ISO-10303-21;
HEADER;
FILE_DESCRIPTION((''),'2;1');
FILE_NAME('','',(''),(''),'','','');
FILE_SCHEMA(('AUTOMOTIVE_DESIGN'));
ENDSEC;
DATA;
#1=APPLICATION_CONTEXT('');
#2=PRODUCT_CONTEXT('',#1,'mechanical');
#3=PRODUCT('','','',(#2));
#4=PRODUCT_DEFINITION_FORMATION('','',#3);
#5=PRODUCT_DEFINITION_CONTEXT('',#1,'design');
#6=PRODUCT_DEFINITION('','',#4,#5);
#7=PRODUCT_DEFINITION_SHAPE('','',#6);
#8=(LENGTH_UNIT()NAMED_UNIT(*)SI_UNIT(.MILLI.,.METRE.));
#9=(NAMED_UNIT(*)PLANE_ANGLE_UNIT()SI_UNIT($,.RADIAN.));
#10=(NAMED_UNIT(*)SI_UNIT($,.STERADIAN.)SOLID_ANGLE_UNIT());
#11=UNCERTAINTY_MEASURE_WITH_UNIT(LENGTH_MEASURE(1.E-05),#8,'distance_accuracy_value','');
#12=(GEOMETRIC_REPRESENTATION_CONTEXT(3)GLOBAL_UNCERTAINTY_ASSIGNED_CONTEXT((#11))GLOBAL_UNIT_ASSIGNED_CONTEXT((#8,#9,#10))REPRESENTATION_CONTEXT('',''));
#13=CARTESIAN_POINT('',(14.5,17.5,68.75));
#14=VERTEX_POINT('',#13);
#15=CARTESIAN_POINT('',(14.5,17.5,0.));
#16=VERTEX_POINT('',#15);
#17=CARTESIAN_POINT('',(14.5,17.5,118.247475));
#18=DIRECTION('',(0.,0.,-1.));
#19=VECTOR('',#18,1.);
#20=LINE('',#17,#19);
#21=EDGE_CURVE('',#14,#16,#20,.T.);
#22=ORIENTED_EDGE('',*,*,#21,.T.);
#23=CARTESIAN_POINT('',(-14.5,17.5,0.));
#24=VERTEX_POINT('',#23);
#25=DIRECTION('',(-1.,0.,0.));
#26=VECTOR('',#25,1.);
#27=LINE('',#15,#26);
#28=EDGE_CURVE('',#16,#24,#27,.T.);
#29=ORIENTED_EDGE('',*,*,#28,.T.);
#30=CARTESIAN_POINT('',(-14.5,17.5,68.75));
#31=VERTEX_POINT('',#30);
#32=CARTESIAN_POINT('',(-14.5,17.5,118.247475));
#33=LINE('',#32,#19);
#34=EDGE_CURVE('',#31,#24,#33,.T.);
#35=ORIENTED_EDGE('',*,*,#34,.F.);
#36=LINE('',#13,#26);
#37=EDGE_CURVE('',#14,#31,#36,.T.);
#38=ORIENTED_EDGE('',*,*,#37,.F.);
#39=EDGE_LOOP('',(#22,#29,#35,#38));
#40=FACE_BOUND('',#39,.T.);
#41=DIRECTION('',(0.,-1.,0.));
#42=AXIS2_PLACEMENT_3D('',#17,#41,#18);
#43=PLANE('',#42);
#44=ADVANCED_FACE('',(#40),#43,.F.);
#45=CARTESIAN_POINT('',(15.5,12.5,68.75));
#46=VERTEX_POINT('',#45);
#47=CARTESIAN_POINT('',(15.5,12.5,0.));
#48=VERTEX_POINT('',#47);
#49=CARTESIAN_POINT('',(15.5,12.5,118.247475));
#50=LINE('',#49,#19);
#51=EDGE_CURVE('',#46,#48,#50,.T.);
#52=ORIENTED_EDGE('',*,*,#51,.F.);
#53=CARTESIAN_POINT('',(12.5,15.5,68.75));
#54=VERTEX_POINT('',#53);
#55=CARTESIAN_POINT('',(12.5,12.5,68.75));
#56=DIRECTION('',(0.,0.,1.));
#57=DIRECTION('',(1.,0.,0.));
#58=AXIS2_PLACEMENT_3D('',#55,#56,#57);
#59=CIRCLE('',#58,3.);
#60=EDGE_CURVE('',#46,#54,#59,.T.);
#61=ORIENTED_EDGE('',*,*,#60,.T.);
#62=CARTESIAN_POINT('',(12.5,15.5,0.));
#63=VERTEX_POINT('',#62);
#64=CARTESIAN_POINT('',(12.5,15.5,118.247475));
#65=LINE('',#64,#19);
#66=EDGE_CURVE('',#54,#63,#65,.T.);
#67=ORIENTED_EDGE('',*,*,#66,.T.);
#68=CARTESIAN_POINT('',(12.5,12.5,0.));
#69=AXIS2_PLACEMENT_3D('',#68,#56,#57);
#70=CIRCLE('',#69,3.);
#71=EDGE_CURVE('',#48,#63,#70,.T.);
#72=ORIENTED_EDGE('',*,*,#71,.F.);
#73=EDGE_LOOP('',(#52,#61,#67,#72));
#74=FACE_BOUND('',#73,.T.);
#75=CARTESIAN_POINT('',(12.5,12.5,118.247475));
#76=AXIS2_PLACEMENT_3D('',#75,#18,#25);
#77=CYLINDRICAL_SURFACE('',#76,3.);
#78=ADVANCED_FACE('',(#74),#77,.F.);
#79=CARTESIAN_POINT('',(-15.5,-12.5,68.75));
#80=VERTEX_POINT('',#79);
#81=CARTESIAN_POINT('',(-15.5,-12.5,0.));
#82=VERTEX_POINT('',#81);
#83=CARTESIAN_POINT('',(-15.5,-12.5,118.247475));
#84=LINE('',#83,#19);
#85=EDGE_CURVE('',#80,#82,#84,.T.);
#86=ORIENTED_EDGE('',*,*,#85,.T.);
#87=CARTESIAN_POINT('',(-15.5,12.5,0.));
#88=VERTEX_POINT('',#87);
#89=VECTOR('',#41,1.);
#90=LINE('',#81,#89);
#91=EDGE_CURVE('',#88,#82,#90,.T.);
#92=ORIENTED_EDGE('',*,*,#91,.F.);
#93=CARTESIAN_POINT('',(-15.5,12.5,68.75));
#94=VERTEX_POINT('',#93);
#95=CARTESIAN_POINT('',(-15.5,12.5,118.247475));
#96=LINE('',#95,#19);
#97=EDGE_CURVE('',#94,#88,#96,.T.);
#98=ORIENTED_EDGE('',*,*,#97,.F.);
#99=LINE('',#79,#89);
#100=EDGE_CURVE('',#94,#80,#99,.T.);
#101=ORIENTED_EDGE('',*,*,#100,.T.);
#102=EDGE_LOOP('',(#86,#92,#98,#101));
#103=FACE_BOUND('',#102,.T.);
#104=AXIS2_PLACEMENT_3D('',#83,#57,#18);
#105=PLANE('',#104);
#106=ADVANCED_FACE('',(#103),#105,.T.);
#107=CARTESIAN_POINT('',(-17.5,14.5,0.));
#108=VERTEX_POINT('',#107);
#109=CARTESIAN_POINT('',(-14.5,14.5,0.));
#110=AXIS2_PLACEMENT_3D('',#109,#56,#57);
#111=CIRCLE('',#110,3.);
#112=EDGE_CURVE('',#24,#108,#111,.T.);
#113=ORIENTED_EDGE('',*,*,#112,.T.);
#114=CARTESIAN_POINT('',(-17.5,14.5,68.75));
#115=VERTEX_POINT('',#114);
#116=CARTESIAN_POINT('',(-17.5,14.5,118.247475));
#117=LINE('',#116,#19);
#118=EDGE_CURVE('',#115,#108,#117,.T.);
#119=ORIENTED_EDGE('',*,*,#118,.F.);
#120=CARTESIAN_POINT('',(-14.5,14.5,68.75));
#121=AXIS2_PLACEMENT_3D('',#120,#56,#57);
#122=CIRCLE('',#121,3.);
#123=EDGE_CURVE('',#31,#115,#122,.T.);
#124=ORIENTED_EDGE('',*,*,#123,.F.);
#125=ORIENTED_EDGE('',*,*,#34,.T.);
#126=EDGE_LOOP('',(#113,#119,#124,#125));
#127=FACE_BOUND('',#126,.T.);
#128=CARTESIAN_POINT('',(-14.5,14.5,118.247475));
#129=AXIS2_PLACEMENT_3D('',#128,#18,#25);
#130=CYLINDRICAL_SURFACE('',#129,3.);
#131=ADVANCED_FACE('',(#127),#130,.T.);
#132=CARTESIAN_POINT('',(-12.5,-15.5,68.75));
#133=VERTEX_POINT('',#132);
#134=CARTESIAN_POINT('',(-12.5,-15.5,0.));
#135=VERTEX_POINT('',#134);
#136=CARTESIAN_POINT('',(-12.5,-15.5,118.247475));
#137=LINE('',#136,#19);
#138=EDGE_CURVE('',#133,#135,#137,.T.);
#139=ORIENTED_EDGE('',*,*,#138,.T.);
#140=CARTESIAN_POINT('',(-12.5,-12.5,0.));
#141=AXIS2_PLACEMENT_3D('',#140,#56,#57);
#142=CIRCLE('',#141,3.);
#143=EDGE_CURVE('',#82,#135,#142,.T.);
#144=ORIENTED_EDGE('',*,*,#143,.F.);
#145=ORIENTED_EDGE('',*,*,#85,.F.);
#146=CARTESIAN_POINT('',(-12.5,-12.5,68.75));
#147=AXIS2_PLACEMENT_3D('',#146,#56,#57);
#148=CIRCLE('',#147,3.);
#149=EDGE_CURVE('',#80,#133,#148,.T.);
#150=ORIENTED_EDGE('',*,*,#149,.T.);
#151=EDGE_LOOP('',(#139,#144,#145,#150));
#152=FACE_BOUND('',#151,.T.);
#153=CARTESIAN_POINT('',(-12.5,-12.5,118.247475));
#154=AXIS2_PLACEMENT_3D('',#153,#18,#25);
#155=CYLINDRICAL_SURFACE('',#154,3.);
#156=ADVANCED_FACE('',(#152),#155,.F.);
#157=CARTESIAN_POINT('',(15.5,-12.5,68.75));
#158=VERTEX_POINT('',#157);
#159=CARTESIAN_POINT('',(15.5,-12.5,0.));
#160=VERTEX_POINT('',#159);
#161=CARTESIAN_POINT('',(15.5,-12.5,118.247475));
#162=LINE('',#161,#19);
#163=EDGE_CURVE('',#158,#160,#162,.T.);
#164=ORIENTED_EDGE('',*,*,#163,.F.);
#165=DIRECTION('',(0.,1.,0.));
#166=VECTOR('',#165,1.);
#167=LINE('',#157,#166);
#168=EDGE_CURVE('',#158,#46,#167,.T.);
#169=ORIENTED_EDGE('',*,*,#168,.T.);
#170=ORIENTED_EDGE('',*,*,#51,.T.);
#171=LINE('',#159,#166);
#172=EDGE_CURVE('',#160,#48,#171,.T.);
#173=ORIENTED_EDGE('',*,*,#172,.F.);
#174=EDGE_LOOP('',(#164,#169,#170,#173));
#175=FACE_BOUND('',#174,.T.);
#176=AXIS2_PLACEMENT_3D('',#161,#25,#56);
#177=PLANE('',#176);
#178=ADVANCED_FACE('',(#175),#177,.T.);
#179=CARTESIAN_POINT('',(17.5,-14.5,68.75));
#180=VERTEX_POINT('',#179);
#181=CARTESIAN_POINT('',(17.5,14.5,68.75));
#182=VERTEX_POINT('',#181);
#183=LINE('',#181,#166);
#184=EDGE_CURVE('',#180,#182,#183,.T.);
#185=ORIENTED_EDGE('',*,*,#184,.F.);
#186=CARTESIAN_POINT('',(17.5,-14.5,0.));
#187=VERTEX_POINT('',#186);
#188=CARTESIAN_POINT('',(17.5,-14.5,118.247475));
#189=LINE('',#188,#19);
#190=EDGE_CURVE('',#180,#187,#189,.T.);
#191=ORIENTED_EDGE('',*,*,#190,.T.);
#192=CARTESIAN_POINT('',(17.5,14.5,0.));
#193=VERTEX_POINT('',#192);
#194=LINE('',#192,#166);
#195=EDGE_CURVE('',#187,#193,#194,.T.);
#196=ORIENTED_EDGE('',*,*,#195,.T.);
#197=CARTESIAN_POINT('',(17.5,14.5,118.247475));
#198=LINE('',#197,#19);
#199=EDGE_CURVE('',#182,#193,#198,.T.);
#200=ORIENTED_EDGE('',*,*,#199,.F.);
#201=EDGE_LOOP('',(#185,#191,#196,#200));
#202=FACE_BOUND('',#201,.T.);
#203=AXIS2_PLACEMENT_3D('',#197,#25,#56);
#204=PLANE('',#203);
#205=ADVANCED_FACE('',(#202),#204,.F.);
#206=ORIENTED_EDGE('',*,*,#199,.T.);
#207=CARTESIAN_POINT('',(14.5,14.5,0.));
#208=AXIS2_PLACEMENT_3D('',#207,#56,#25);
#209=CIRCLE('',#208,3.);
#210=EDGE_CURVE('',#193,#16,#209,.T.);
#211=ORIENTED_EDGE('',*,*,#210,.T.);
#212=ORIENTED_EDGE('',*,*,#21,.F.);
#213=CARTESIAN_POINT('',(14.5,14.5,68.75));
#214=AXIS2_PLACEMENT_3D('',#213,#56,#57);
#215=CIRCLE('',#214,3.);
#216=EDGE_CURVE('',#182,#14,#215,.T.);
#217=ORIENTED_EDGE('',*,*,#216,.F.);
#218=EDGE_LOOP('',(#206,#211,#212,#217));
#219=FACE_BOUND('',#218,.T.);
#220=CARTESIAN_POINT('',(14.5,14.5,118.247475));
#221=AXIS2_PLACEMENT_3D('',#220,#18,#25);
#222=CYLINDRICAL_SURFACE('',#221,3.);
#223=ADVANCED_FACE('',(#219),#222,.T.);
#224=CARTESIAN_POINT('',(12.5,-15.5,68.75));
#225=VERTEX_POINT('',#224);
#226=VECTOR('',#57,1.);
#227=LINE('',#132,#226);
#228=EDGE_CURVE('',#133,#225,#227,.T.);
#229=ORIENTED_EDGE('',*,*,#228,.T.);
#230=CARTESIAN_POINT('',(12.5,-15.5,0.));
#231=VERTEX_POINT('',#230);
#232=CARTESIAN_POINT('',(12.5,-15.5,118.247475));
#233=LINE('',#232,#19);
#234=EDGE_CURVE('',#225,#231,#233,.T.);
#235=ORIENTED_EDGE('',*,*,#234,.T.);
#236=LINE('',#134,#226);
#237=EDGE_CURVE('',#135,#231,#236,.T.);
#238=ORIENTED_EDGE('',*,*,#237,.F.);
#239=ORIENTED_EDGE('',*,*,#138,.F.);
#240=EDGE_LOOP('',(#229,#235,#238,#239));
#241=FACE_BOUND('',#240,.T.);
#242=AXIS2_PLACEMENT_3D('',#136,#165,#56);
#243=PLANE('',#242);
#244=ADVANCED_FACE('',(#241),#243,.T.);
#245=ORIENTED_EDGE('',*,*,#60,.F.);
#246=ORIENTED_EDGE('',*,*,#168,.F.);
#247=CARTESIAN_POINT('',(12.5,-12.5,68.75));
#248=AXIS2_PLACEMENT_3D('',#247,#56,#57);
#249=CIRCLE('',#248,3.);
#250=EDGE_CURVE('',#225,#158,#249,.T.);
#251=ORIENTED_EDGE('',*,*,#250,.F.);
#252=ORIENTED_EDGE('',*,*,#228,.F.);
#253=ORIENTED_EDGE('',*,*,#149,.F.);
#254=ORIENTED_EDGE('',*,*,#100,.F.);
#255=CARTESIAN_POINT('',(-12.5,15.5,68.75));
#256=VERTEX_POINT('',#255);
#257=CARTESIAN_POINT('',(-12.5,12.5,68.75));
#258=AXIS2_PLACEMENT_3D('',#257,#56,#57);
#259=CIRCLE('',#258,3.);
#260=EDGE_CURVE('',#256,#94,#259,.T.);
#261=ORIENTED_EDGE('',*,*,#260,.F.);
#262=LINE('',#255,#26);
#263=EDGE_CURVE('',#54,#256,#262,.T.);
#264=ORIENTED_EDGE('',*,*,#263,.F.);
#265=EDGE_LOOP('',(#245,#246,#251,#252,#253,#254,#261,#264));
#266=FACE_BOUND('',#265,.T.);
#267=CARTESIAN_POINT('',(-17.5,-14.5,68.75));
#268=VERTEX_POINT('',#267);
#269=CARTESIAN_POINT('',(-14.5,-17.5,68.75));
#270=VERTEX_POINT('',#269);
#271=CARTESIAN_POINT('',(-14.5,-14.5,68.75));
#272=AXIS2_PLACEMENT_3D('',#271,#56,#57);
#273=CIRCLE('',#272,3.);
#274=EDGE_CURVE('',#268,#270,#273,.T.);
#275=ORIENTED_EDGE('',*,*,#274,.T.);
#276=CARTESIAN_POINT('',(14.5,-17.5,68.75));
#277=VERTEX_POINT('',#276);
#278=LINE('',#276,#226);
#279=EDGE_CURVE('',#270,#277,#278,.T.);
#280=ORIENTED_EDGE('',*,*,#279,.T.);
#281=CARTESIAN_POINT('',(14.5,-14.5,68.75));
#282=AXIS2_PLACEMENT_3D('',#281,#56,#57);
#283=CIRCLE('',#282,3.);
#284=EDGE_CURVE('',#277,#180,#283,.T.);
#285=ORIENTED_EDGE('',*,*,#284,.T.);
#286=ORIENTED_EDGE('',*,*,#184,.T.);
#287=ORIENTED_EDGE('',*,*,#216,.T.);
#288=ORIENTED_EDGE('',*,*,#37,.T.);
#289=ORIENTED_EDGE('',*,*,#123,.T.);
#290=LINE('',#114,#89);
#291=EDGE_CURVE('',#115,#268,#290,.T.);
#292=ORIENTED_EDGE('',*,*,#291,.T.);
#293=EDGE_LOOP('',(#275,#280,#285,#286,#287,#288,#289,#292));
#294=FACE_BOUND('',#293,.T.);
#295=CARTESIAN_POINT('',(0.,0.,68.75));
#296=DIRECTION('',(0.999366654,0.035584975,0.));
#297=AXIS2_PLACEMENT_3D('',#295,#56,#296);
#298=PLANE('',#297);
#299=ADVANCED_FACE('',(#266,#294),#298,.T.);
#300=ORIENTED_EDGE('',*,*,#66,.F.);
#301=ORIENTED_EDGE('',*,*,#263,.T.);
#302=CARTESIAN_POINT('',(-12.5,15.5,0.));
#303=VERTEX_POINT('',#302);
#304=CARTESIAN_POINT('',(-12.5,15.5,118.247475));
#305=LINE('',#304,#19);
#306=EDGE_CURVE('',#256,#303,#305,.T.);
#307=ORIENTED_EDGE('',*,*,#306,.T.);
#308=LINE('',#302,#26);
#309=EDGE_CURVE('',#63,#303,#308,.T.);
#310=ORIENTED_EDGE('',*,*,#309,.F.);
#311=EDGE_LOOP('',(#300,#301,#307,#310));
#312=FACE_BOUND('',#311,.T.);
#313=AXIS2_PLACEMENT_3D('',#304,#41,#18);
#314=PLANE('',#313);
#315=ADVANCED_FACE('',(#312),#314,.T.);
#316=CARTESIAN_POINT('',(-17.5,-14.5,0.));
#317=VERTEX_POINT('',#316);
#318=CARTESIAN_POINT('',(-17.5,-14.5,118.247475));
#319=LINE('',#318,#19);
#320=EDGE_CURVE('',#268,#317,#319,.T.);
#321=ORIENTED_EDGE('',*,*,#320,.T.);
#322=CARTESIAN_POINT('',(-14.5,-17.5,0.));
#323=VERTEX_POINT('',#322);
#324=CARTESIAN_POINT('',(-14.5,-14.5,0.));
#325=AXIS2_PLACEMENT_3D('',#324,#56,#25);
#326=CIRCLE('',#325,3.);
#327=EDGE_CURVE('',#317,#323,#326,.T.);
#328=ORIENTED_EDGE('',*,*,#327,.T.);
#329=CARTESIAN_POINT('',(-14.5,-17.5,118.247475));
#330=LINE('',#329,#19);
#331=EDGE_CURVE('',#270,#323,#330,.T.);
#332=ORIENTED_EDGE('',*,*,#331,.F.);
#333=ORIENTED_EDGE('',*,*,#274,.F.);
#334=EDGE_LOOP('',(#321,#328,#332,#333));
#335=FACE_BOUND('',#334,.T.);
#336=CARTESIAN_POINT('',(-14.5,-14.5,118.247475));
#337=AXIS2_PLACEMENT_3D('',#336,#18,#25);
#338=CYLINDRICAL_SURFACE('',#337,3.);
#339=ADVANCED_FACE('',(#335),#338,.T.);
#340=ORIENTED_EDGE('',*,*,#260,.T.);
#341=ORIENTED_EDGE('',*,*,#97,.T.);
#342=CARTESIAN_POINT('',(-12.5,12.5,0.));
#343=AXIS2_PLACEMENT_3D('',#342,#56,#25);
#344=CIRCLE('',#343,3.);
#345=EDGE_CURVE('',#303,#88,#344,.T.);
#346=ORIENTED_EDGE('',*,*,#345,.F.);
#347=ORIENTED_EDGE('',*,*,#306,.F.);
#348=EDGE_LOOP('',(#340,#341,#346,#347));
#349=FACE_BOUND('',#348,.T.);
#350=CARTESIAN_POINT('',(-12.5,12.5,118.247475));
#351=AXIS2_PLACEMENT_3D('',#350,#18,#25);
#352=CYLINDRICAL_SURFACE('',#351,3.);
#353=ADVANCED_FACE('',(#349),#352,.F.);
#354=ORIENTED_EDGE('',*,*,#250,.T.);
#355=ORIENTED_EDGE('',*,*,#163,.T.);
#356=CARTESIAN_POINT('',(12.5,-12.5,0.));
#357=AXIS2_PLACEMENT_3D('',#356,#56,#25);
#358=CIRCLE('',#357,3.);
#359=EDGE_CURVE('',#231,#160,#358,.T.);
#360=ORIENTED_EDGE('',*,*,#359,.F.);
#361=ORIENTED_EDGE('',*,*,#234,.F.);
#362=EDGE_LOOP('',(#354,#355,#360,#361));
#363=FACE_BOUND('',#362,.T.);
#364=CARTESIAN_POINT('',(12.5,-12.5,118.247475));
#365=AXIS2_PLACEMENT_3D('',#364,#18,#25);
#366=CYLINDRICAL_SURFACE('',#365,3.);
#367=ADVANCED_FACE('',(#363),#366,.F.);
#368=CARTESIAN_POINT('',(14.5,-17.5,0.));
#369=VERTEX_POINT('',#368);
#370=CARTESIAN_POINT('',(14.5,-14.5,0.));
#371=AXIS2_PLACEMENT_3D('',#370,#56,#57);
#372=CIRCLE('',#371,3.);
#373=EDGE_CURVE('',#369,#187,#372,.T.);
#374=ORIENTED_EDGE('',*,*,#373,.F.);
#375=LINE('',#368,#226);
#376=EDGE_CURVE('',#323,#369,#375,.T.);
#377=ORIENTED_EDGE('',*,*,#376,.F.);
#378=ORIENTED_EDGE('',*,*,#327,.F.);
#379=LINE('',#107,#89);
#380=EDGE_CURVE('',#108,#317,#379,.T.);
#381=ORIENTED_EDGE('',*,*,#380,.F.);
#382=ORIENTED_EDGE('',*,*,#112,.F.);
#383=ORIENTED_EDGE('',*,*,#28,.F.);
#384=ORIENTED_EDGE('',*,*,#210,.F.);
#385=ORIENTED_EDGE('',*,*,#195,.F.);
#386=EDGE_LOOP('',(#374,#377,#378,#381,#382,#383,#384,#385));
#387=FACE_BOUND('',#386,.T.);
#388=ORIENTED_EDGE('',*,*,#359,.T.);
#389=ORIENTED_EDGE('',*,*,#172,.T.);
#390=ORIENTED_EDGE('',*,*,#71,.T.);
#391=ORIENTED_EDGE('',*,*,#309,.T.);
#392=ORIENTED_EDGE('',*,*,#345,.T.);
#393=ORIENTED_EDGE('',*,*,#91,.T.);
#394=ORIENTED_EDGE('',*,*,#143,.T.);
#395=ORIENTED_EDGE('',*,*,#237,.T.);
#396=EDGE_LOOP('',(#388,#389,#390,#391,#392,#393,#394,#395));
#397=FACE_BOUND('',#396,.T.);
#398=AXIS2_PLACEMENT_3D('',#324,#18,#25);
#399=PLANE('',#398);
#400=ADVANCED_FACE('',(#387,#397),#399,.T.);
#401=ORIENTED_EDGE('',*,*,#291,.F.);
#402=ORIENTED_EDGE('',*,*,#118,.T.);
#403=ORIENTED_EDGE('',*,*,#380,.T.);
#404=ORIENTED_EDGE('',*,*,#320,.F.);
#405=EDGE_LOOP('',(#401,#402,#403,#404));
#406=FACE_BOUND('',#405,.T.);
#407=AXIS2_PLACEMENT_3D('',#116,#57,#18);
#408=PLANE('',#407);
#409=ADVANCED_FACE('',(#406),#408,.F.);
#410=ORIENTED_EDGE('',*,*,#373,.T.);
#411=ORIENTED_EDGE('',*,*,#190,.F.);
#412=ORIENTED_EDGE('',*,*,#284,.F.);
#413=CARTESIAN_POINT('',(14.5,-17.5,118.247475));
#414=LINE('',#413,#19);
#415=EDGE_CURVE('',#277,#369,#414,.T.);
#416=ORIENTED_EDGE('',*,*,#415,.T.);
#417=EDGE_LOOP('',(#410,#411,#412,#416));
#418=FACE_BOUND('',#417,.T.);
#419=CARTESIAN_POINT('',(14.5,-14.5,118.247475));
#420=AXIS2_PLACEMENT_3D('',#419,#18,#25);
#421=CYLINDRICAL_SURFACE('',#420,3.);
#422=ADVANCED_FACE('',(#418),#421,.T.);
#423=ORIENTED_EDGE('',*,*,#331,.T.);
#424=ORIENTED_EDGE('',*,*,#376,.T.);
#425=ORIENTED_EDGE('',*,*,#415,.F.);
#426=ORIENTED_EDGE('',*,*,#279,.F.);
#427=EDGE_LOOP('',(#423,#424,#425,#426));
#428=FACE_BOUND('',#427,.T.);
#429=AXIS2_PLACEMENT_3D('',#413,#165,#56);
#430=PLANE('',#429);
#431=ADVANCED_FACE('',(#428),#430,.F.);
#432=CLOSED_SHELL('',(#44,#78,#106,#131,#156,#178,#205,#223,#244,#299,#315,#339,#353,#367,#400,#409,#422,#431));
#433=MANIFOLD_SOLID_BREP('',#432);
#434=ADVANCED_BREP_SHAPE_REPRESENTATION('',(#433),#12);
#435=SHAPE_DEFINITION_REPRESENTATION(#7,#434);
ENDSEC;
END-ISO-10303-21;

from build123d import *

# Parameters (mm, degrees)
EXTRUDE_1_DEPTH = 68.75


with BuildPart() as part:
    # Эскиз1 → Бобышка-Вытянуть1 (new body)
    with BuildSketch(Plane.XY):
        with BuildLine():
            Line((14.5, 17.5), (-14.5, 17.5))
            ThreePointArc((-14.5, 17.5), (-16.621320344, 16.621320344), (-17.5, 14.5))
            Line((-17.5, 14.5), (-17.5, -14.5))
            ThreePointArc((-17.5, -14.5), (-16.621320344, -16.621320344), (-14.5, -17.5))
            Line((-14.5, -17.5), (14.5, -17.5))
            ThreePointArc((14.5, -17.5), (16.621320344, -16.621320344), (17.5, -14.5))
            Line((17.5, -14.5), (17.5, 14.5))
            ThreePointArc((17.5, 14.5), (16.621320344, 16.621320344), (14.5, 17.5))
        make_face()
        with BuildLine():
            Line((-15.5, -12.5), (-15.5, 12.5))
            ThreePointArc((-15.5, 12.5), (-14.621320344, 14.621320344), (-12.5, 15.5))
            Line((-12.5, 15.5), (12.5, 15.5))
            ThreePointArc((12.5, 15.5), (14.621320344, 14.621320344), (15.5, 12.5))
            Line((15.5, 12.5), (15.5, -12.5))
            ThreePointArc((15.5, -12.5), (14.621320344, -14.621320344), (12.5, -15.5))
            Line((12.5, -15.5), (-12.5, -15.5))
            ThreePointArc((-12.5, -15.5), (-14.621320344, -14.621320344), (-15.5, -12.5))
        make_face(mode=Mode.SUBTRACT)
    extrude(amount=EXTRUDE_1_DEPTH)


solid = part.part
